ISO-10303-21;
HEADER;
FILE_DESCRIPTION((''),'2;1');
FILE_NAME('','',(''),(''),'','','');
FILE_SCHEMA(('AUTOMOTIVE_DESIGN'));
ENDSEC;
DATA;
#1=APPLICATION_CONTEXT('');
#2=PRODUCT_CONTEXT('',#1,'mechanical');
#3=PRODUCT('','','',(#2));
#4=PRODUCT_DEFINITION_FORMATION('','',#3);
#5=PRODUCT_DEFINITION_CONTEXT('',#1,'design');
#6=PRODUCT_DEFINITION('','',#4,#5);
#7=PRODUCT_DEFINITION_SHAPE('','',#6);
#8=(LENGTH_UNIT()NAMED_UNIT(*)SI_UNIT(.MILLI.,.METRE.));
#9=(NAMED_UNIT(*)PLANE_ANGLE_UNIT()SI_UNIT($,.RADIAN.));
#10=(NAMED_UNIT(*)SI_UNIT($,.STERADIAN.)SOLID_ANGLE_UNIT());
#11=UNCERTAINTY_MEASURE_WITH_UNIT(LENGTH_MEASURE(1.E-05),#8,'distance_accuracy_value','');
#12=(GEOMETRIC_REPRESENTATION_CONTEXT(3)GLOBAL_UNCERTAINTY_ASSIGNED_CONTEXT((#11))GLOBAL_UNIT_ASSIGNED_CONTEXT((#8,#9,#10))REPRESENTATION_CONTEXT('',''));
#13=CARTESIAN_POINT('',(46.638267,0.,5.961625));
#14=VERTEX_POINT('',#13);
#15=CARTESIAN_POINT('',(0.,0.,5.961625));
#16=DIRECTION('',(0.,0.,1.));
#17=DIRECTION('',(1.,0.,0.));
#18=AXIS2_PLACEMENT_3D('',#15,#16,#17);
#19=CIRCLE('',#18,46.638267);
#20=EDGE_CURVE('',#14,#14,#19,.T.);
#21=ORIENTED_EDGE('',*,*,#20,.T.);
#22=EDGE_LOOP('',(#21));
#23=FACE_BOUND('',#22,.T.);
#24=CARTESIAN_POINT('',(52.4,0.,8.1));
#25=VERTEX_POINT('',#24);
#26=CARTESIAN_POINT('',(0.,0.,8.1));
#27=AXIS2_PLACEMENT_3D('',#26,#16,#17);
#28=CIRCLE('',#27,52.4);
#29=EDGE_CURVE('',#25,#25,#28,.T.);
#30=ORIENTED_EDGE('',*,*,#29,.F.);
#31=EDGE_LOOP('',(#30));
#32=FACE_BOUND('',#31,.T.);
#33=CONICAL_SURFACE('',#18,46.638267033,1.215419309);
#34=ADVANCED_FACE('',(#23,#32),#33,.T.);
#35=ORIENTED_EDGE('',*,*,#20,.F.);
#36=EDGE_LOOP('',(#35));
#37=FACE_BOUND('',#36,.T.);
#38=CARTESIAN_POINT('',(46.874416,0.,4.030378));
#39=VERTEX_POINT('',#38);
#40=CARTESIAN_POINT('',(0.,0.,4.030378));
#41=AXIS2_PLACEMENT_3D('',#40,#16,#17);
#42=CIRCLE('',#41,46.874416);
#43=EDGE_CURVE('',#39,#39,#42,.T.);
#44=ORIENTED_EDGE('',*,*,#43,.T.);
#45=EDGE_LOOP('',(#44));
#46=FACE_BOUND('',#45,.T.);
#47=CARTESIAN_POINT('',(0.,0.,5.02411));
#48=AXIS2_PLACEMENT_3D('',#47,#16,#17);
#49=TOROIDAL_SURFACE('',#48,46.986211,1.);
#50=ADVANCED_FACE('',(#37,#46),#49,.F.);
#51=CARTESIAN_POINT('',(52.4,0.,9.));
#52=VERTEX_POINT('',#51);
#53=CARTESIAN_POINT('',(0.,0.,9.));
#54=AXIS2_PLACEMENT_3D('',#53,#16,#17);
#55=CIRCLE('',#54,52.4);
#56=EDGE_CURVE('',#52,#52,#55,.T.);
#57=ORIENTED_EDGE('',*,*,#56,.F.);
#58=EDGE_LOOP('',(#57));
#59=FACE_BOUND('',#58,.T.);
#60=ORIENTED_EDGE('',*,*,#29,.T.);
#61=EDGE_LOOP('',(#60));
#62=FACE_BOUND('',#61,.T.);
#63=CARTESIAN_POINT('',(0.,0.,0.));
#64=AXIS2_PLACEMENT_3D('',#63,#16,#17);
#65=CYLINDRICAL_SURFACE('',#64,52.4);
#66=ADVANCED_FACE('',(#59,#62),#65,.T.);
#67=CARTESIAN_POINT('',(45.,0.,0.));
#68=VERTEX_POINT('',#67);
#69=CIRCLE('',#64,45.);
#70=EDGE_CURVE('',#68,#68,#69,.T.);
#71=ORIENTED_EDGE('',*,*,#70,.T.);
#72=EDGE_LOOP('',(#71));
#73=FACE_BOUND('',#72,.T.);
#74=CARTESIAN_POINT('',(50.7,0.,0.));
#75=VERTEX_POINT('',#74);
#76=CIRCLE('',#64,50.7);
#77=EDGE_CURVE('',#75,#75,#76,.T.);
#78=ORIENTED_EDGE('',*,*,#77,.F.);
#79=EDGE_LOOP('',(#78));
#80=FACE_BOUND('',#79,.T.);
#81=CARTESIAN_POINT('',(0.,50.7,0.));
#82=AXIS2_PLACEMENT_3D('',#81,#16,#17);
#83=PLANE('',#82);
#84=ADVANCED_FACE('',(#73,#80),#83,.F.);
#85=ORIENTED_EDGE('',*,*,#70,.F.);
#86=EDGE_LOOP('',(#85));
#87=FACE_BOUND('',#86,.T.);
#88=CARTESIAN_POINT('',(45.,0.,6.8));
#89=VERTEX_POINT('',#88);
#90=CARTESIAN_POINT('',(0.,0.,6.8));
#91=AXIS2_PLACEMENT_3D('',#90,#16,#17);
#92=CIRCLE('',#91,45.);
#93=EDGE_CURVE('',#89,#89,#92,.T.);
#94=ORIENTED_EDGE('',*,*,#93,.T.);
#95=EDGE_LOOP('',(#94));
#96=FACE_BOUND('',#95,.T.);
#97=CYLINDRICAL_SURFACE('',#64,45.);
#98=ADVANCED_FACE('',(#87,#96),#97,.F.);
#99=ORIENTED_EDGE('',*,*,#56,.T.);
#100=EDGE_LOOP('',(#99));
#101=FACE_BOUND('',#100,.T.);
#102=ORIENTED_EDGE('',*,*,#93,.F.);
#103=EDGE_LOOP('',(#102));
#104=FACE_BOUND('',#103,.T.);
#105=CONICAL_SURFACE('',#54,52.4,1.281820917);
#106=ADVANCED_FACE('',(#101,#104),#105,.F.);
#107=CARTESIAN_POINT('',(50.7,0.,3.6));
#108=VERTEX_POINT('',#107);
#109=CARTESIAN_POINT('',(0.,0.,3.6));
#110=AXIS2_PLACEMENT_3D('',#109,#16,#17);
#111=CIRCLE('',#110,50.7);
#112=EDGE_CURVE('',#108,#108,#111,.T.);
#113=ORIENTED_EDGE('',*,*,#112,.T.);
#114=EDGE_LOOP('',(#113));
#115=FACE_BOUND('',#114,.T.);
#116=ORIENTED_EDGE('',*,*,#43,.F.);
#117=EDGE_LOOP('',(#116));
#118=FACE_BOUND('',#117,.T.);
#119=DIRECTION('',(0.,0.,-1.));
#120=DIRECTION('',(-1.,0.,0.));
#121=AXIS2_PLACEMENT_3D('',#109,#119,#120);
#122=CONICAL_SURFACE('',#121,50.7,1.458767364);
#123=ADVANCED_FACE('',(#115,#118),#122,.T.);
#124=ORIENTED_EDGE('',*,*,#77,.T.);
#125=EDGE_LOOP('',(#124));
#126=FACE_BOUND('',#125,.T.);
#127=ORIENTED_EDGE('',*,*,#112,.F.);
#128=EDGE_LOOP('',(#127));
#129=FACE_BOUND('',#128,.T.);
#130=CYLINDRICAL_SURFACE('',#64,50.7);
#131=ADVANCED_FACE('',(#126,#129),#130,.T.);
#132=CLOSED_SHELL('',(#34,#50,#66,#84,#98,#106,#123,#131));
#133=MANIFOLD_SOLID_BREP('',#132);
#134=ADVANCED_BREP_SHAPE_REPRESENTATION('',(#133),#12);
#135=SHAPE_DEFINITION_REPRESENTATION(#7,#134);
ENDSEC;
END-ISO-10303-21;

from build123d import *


with BuildPart() as part:
    # Sketch1 → Revolve1 (revolve)
    with BuildSketch(Plane(origin=(0, 0, 0), x_dir=(0, 0, -1), z_dir=(1, 0, 0)), mode=Mode.PRIVATE) as revolve1_sk:
        with BuildLine():
            Line((-9, 52.4), (-8.1, 52.4))
            Line((-8.1, 52.4), (-5.961624878, 46.638267033))
            ThreePointArc((-5.961624878, 46.638267033), (-4.902735476, 45.99360404), (-4.030378188, 46.87441611))
            Line((-4.030378188, 46.87441611), (-3.6, 50.7))
            Line((-3.6, 50.7), (0, 50.7))
            Line((0, 50.7), (0, 45))
            Line((0, 45), (-6.8, 45))
            Line((-6.8, 45), (-9, 52.4))
        make_face()
    revolve(revolve1_sk.sketch.rotate(Axis((0, 0, 0), (0, 0, -1)), 90), axis=Axis((0, 0, 0), (0, 0, -1)))


solid = part.part
